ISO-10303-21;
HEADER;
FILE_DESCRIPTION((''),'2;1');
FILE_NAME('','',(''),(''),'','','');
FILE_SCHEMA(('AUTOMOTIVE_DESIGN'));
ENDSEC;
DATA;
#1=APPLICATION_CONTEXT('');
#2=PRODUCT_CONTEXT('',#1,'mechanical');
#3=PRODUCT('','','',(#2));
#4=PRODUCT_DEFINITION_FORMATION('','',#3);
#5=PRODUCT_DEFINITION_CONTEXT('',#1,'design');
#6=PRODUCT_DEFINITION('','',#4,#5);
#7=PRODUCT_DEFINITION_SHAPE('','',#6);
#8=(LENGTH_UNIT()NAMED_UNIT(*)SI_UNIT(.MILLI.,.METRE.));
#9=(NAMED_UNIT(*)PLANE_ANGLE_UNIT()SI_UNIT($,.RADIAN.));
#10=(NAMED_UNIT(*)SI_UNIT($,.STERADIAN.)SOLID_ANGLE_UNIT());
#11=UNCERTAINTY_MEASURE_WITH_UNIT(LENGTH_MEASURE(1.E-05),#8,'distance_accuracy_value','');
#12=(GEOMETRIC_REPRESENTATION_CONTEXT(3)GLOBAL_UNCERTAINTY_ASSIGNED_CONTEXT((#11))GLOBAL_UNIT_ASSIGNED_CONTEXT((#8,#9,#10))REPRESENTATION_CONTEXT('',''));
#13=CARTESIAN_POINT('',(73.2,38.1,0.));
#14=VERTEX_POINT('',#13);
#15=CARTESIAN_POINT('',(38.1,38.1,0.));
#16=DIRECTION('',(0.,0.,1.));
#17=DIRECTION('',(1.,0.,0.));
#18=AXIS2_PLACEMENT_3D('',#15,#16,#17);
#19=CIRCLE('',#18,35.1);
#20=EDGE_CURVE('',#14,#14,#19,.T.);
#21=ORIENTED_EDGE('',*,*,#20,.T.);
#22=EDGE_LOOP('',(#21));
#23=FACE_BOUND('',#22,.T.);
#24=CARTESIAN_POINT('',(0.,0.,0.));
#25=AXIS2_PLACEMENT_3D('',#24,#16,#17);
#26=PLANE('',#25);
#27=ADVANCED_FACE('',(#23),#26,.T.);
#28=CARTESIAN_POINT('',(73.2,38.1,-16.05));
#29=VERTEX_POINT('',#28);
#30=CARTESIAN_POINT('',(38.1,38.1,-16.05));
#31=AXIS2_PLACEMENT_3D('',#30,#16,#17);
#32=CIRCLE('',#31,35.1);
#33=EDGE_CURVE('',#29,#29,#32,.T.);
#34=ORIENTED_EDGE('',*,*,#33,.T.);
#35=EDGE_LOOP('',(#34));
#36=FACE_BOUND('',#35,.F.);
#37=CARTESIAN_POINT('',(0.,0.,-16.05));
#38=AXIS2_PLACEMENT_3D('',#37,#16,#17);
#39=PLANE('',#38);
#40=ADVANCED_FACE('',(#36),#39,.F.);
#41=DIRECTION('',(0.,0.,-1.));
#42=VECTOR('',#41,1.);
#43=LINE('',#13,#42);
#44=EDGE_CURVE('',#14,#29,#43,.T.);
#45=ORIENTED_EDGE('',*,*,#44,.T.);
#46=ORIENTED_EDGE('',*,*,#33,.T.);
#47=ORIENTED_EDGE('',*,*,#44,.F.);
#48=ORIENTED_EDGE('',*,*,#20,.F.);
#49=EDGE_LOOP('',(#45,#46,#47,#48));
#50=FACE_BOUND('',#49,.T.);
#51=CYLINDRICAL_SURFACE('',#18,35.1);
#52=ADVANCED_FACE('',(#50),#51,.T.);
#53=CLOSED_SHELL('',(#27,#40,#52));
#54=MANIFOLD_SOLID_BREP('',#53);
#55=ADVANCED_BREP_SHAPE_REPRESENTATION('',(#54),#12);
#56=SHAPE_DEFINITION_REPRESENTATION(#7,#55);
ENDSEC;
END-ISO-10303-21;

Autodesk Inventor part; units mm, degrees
ref_plane "YZ Plane" through (0, 0, 0) normal (1, 0, 0) x (0, 1, 0)
ref_plane "XZ Plane" through (0, 0, 0) normal (0, 1, 0) x (-1, 0, 0)
sketch "Sketch1" plane through (0, 0, 0) normal (0, 0, 1) x (1, 0, 0)
  line L0 (0, 0) -> (0, 76.2) construction
  line L1 (76.2, 0) -> (0, 0) construction
  line L2 (76.2, 76.2) -> (76.2, 0) construction
  line L3 (0, 76.2) -> (76.2, 76.2) construction
  circle A0 centre (38.1, 38.1) radius 35.1
  dimension "d0" = 38.1
  dimension "d1" = 38.1
  dimension "d2" = 3
ref_plane "Work Plane1" through (-3.81, -3.81, -16.05) normal (0, 0, 1) x (1, 0, 0)
extrude "Extrusion1" add sketch "Sketch1" against normal up to surface (16.05 mm away)
properties part number "stock material 1"
